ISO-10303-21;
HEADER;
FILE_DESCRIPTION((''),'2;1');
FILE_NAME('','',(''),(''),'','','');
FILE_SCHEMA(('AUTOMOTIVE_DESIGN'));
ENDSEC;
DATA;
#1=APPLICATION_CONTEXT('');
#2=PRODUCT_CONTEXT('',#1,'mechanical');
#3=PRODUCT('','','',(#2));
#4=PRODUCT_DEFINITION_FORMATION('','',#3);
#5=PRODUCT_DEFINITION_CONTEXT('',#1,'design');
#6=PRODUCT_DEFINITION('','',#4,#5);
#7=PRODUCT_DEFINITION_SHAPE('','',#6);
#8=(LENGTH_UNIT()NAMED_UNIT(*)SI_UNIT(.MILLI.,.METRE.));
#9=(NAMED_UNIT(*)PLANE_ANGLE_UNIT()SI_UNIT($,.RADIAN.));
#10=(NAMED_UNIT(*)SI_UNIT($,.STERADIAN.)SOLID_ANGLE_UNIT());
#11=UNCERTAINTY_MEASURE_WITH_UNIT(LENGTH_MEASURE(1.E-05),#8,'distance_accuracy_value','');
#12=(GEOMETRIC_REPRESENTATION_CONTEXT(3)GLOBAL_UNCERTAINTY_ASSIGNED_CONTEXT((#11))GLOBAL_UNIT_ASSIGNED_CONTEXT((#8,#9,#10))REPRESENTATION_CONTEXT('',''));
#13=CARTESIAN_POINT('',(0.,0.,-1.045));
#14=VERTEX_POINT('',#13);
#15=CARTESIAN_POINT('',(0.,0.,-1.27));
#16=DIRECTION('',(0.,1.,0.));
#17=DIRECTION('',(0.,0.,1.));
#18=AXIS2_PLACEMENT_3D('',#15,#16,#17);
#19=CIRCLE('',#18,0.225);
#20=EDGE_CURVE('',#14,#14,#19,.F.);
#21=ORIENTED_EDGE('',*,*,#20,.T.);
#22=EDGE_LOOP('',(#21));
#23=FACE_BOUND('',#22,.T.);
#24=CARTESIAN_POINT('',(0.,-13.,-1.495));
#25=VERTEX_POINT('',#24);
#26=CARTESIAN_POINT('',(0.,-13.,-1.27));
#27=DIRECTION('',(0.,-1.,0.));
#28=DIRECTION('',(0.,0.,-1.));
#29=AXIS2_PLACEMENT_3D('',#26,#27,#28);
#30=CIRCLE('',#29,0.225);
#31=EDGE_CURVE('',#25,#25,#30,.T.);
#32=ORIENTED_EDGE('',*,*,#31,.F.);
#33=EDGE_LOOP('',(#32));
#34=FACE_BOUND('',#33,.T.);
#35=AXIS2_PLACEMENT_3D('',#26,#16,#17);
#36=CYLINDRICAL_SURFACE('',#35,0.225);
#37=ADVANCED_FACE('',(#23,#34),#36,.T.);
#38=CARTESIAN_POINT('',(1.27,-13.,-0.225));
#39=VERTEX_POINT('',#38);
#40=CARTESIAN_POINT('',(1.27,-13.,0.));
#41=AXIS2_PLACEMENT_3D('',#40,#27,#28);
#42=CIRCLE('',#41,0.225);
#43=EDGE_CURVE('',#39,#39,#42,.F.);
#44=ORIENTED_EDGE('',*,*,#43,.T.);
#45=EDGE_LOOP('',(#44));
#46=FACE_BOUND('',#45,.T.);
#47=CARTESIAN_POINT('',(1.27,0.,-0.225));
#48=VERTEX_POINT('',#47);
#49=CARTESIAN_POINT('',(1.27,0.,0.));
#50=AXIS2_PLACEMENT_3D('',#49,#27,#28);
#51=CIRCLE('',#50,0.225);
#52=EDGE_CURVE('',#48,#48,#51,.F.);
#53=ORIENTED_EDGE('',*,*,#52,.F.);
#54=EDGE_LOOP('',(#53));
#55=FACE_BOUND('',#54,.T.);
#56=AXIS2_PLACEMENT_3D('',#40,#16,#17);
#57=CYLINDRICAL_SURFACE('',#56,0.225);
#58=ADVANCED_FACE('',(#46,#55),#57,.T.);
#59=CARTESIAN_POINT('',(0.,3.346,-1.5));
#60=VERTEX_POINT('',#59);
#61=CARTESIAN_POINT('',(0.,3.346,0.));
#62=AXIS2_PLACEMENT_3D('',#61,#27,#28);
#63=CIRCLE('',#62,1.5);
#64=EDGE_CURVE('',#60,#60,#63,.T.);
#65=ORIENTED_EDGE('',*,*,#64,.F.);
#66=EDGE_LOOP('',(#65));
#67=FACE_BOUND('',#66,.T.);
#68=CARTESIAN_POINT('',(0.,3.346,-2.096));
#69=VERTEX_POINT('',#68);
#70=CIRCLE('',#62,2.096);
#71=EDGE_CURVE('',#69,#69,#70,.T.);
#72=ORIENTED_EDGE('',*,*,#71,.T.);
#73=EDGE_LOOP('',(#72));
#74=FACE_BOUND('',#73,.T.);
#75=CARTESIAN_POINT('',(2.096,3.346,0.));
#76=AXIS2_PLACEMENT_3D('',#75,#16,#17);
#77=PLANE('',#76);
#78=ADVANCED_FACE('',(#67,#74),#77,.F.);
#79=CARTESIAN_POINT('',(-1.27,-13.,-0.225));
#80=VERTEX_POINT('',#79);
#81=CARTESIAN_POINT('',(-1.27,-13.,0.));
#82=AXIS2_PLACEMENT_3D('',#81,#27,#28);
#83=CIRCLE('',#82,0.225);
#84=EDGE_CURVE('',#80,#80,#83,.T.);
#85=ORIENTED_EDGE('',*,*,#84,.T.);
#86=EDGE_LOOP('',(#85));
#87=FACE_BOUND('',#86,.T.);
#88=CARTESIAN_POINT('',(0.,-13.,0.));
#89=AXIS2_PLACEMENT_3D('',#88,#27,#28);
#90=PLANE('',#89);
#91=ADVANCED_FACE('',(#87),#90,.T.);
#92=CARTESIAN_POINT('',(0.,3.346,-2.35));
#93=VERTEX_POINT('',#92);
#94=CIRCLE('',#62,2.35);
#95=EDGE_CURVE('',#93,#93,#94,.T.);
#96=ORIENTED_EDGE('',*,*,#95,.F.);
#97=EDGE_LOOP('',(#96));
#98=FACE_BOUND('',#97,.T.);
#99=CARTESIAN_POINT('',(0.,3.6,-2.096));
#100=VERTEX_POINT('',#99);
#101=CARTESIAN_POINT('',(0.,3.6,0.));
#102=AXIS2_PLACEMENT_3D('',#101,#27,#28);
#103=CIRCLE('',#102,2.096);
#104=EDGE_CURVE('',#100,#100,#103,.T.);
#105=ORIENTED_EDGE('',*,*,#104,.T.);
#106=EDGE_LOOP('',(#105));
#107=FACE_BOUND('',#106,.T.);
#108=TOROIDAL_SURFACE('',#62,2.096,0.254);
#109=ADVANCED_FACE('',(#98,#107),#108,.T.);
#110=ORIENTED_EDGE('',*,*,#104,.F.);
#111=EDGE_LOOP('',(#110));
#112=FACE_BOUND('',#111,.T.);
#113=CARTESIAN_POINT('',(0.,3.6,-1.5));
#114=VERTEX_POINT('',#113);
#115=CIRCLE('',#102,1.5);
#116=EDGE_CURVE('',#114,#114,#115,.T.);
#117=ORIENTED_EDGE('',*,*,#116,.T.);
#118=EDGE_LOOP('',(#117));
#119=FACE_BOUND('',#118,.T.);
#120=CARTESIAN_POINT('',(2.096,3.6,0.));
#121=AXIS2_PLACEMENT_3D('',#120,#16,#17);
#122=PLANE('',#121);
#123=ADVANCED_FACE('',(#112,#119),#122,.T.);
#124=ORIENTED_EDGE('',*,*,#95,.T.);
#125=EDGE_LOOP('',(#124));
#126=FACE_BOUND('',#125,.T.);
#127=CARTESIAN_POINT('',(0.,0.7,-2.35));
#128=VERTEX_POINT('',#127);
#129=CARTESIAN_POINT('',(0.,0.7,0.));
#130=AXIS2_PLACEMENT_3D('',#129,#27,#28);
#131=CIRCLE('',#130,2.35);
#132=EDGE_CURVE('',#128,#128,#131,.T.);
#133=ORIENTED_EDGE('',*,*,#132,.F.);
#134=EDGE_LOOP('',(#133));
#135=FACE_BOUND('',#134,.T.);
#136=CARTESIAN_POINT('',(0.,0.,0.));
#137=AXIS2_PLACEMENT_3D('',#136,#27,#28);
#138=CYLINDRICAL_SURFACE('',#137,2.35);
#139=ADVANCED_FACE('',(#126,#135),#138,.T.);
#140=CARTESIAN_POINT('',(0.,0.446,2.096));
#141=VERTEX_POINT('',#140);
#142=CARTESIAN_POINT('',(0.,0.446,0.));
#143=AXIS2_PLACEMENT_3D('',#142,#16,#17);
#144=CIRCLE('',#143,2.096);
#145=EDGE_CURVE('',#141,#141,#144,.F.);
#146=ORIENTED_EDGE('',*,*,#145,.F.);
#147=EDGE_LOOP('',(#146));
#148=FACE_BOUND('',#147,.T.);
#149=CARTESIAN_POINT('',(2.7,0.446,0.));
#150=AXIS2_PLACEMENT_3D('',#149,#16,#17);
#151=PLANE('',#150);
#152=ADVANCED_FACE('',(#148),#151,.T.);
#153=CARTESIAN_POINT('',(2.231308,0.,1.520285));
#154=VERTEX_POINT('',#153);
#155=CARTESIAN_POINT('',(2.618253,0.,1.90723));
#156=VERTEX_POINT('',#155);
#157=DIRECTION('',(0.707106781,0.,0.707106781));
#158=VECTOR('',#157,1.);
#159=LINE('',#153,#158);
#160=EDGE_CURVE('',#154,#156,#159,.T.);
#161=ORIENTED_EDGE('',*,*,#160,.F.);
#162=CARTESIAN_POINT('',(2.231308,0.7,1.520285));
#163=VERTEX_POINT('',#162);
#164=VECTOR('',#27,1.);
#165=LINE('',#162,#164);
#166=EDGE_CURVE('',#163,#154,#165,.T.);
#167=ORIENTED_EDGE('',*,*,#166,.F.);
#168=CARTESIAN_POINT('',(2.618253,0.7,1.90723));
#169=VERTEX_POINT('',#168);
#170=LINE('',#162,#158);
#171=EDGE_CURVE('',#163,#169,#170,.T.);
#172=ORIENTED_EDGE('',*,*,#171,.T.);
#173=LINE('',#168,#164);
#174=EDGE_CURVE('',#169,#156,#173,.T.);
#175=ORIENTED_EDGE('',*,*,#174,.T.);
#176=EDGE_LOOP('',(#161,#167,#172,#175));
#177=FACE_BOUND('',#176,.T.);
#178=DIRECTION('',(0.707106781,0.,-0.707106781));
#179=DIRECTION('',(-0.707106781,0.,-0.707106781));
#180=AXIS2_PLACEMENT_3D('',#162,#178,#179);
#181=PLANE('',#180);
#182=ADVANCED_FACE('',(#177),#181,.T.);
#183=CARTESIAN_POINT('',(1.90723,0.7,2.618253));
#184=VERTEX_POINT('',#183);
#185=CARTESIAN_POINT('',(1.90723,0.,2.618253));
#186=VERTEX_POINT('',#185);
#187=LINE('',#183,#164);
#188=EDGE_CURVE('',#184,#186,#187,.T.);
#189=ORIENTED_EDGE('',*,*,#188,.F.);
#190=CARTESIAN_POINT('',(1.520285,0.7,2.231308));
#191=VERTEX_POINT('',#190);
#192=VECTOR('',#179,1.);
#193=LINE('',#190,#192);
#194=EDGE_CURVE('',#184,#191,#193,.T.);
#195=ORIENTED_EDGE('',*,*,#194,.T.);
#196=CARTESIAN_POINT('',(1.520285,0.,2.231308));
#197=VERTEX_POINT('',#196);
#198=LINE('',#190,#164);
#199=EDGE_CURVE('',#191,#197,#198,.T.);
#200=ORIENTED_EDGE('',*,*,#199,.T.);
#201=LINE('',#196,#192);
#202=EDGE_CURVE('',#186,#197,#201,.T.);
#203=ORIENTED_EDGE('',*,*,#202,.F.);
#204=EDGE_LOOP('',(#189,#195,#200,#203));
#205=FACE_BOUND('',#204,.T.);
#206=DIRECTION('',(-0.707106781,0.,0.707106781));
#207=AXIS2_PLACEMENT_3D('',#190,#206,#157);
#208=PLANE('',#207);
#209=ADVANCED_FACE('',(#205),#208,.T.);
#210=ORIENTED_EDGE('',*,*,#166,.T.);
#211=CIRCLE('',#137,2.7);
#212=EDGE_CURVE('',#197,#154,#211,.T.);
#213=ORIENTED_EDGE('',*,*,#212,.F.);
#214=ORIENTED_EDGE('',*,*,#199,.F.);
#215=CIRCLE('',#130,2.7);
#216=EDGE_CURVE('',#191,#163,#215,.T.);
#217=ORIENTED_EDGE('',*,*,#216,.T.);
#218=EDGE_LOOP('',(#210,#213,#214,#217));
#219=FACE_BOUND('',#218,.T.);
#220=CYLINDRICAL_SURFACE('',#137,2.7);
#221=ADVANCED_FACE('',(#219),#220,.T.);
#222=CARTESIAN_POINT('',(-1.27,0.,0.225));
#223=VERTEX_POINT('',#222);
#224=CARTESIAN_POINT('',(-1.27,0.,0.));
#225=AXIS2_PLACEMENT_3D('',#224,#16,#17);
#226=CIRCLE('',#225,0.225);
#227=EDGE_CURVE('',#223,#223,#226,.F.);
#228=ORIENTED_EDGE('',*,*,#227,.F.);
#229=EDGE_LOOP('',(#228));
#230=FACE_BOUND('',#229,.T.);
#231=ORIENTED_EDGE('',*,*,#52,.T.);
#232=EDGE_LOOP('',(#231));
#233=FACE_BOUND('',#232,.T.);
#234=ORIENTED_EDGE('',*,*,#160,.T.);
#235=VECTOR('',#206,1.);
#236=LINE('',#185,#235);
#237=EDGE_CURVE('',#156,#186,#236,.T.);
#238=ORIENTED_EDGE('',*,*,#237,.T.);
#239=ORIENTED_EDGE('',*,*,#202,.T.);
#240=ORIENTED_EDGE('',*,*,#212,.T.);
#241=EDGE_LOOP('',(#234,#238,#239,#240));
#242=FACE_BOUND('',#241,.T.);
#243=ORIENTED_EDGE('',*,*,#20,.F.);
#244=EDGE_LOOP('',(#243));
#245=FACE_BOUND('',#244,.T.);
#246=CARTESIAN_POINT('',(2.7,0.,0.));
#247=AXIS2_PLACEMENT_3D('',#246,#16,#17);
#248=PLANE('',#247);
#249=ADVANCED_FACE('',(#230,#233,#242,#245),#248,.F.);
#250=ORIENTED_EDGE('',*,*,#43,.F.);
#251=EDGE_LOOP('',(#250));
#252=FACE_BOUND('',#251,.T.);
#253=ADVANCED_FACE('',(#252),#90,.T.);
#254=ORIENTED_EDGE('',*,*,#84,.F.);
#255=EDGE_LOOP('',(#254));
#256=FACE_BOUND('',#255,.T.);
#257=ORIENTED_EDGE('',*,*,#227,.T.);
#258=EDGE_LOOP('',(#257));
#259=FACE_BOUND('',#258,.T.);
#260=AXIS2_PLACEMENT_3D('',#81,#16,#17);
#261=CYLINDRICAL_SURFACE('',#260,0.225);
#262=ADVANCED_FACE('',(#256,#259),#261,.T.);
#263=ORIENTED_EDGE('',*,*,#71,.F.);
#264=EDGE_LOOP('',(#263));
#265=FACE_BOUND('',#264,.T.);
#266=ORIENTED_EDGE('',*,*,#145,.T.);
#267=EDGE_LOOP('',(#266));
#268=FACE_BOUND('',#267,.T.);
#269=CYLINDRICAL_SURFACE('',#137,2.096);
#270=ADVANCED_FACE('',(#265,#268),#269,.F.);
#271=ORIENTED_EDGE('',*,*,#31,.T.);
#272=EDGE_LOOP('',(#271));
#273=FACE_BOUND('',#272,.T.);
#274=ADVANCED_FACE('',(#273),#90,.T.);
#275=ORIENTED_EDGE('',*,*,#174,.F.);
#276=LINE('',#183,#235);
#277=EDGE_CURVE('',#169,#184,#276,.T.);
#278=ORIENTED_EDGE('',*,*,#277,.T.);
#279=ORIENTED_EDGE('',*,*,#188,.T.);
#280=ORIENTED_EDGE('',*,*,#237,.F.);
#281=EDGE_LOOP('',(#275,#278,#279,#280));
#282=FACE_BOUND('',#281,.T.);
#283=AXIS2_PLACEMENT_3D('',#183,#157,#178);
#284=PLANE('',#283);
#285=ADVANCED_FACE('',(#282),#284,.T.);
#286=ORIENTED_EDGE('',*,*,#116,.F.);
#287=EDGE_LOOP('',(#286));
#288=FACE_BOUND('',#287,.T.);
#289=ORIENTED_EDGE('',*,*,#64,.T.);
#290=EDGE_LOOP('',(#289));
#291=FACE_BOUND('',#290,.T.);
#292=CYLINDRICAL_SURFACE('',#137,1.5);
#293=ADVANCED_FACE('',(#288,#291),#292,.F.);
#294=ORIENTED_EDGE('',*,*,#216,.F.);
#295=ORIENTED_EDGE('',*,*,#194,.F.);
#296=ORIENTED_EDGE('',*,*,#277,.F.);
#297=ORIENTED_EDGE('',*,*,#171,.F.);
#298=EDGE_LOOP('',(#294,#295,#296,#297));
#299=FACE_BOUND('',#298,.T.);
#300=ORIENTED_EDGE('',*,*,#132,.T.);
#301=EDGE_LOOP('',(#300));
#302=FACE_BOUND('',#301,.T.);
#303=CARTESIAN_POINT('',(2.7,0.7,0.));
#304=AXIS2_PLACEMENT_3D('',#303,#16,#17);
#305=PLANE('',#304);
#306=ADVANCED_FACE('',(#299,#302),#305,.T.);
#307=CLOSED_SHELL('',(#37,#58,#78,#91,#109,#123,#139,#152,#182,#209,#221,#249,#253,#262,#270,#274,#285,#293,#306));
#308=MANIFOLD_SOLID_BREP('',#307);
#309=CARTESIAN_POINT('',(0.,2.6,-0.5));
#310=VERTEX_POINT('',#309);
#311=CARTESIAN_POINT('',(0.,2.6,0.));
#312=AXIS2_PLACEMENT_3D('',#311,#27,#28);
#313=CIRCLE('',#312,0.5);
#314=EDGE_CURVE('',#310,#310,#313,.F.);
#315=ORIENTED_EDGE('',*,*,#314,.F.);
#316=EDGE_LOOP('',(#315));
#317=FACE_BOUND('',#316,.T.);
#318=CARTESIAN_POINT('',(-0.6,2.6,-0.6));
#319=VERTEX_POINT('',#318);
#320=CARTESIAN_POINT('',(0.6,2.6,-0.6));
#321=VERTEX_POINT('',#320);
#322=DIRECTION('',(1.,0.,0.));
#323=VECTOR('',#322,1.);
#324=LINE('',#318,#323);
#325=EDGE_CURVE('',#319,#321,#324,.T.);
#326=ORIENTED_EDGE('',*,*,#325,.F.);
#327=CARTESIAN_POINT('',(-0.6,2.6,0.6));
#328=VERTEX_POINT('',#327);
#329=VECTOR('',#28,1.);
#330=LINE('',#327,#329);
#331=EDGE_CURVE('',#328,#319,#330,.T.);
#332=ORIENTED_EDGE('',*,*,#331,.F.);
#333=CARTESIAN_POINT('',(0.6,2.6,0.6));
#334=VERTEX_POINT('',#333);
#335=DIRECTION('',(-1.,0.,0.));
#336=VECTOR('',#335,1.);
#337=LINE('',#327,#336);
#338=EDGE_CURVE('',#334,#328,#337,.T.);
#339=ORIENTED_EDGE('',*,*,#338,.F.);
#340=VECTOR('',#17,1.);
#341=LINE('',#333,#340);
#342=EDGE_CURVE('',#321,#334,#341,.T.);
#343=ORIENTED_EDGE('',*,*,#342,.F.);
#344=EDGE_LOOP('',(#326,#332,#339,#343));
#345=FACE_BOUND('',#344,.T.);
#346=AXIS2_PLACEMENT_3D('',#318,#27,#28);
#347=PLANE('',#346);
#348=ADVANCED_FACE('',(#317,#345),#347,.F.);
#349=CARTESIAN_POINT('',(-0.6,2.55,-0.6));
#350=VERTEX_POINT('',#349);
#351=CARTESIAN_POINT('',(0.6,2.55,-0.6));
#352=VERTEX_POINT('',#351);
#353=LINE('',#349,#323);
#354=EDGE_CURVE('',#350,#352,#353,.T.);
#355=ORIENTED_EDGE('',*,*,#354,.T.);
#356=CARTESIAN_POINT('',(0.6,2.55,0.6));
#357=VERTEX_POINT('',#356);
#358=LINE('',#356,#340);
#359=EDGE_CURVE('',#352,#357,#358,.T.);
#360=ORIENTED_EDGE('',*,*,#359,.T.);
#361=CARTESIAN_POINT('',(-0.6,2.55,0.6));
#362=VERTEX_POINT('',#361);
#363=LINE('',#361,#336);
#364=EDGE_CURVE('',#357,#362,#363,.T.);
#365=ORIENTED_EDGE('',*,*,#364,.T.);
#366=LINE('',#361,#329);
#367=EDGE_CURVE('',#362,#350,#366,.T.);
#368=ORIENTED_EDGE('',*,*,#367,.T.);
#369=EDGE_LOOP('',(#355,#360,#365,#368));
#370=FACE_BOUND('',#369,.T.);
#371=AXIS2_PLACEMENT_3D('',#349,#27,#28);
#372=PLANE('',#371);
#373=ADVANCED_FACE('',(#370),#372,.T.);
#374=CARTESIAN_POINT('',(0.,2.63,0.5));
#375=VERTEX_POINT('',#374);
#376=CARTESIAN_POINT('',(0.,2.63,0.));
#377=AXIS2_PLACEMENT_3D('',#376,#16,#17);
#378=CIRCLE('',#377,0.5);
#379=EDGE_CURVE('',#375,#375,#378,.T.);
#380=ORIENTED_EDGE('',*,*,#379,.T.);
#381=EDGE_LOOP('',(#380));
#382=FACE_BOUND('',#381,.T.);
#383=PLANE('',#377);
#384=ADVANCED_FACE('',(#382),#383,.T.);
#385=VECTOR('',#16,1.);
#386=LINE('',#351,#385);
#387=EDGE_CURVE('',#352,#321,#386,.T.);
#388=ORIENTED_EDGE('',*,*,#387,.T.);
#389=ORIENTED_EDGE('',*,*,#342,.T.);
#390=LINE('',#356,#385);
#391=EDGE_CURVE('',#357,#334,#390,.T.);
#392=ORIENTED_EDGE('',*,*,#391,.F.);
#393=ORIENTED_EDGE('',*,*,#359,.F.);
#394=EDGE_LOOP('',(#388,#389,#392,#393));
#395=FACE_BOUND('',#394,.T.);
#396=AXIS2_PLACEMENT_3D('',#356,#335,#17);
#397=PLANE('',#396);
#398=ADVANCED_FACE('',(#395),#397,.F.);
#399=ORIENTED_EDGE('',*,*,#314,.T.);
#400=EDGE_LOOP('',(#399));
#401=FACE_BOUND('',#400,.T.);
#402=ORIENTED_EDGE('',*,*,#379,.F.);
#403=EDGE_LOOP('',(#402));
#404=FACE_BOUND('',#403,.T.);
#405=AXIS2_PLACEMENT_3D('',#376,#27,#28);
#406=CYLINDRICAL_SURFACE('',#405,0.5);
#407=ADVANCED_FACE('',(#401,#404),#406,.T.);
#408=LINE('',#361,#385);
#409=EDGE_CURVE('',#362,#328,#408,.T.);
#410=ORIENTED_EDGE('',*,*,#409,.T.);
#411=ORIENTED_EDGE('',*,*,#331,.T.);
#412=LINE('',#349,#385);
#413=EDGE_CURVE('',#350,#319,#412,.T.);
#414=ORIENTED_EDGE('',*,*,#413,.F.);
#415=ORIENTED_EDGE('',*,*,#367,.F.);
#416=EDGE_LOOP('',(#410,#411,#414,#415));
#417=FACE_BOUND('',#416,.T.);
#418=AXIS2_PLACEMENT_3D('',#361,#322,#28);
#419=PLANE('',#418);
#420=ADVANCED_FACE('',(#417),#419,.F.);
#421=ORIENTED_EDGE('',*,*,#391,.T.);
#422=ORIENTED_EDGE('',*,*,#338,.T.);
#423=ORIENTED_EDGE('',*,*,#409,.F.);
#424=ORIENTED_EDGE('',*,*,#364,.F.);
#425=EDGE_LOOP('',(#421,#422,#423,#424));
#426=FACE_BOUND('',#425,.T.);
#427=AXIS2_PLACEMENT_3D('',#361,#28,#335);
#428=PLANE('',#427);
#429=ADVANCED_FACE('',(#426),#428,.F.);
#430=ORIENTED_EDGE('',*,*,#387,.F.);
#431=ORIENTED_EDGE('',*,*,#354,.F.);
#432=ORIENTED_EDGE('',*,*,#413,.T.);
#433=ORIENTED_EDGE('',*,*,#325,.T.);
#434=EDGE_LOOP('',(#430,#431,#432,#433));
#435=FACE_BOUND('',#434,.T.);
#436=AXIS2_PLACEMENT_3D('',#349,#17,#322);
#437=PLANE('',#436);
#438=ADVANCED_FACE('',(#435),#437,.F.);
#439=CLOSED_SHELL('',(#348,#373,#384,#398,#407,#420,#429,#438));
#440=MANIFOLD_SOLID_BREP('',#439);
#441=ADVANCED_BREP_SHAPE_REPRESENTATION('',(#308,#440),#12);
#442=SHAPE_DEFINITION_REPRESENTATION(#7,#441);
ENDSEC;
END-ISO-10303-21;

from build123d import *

# Parameters (mm, degrees)
SKETCH2_R           = 2.7
BOSS_EXTRUDE1_DEPTH = 0.446
BOSS_EXTRUDE2_START = -2.6
SKETCH3_W           = 1.2
SKETCH3_H           = 1.2
BOSS_EXTRUDE2_DEPTH = 0.05
SKETCH8_R           = 0.5
BOSS_EXTRUDE6_DEPTH = 0.03
BOSS_EXTRUDE7_DEPTH = 0.7
SKETCH5_R           = 0.225
BOSS_EXTRUDE8_DEPTH = 13


with BuildPart() as part:
    # Sketch1 → Revolve-Thin2 (revolve)
    with BuildSketch(Plane.XY, mode=Mode.PRIVATE) as revolve_thin2_sk:
        with BuildLine():
            Line((2.7, 0), (2.7, 0.7))
            Line((2.7, 0.7), (2.35, 0.7))
            Line((2.35, 0.7), (2.35, 3.346))
            ThreePointArc((2.35, 3.346), (2.275605122, 3.525605122), (2.096, 3.6))
            Line((2.096, 3.6), (1.5, 3.6))
            Line((1.5, 3.6), (1.5, 3.346))
            Line((1.5, 3.346), (2.096, 3.346))
            Line((2.096, 3.346), (2.096, 0.446))
            Line((2.096, 0.446), (2.446, 0.446))
            Line((2.446, 0.446), (2.446, 0))
            Line((2.446, 0), (2.7, 0))
        make_face()
    revolve(revolve_thin2_sk.sketch.rotate(Axis((0, 0, 0), (0, 1, 0)), 90), axis=Axis((0, 0, 0), (0, 1, 0)))  # turned: the seam where the file's is

    # Sketch2 → Boss-Extrude1 (add)
    with BuildSketch(Plane.XZ):
        with Locations(Location((0, 0, 0), (0, 0, 270))):  # turned: the seam where the file's is
            Circle(SKETCH2_R)
    extrude(amount=-BOSS_EXTRUDE1_DEPTH)

    # Sketch10 → Boss-Extrude7 (add)
    with BuildSketch(Plane.XZ):
        Polygon((1.520284949, 2.231307616), (2.231307616, 1.520284949), (2.618253033, 1.907230366), (1.907230366, 2.618253033), align=None)
    extrude(amount=-BOSS_EXTRUDE7_DEPTH)

    # Sketch5 → Boss-Extrude8 (add)
    with BuildSketch(Plane.XZ):
        with Locations(Location((-1.27, 0, 0), (0, 0, 90))):  # turned: the seam where the file's is
            Circle(SKETCH5_R)
        with Locations(Location((0, -1.27, 0), (0, 0, 90))):  # turned: the seam where the file's is
            Circle(SKETCH5_R)
        with Locations(Location((1.27, 0, 0), (0, 0, 270))):  # turned: the seam where the file's is
            Circle(SKETCH5_R)
    extrude(amount=BOSS_EXTRUDE8_DEPTH)


with BuildPart() as body_2:
    # Sketch3 → Boss-Extrude2 (new body)
    with BuildSketch(Plane.XZ.offset(BOSS_EXTRUDE2_START)):
        Rectangle(SKETCH3_W, SKETCH3_H)
    extrude(amount=BOSS_EXTRUDE2_DEPTH)

    # Sketch8 → Boss-Extrude6 (add)
    with BuildSketch(Plane(origin=(0, 2.6, 0), x_dir=(-1, 0, 0), z_dir=(0, 1, 0))):
        with Locations(Location((0, 0, 0), (0, 0, 270))):  # turned: the seam where the file's is
            Circle(SKETCH8_R)
    extrude(amount=BOSS_EXTRUDE6_DEPTH)


solid = Compound([part.part, body_2.part])
